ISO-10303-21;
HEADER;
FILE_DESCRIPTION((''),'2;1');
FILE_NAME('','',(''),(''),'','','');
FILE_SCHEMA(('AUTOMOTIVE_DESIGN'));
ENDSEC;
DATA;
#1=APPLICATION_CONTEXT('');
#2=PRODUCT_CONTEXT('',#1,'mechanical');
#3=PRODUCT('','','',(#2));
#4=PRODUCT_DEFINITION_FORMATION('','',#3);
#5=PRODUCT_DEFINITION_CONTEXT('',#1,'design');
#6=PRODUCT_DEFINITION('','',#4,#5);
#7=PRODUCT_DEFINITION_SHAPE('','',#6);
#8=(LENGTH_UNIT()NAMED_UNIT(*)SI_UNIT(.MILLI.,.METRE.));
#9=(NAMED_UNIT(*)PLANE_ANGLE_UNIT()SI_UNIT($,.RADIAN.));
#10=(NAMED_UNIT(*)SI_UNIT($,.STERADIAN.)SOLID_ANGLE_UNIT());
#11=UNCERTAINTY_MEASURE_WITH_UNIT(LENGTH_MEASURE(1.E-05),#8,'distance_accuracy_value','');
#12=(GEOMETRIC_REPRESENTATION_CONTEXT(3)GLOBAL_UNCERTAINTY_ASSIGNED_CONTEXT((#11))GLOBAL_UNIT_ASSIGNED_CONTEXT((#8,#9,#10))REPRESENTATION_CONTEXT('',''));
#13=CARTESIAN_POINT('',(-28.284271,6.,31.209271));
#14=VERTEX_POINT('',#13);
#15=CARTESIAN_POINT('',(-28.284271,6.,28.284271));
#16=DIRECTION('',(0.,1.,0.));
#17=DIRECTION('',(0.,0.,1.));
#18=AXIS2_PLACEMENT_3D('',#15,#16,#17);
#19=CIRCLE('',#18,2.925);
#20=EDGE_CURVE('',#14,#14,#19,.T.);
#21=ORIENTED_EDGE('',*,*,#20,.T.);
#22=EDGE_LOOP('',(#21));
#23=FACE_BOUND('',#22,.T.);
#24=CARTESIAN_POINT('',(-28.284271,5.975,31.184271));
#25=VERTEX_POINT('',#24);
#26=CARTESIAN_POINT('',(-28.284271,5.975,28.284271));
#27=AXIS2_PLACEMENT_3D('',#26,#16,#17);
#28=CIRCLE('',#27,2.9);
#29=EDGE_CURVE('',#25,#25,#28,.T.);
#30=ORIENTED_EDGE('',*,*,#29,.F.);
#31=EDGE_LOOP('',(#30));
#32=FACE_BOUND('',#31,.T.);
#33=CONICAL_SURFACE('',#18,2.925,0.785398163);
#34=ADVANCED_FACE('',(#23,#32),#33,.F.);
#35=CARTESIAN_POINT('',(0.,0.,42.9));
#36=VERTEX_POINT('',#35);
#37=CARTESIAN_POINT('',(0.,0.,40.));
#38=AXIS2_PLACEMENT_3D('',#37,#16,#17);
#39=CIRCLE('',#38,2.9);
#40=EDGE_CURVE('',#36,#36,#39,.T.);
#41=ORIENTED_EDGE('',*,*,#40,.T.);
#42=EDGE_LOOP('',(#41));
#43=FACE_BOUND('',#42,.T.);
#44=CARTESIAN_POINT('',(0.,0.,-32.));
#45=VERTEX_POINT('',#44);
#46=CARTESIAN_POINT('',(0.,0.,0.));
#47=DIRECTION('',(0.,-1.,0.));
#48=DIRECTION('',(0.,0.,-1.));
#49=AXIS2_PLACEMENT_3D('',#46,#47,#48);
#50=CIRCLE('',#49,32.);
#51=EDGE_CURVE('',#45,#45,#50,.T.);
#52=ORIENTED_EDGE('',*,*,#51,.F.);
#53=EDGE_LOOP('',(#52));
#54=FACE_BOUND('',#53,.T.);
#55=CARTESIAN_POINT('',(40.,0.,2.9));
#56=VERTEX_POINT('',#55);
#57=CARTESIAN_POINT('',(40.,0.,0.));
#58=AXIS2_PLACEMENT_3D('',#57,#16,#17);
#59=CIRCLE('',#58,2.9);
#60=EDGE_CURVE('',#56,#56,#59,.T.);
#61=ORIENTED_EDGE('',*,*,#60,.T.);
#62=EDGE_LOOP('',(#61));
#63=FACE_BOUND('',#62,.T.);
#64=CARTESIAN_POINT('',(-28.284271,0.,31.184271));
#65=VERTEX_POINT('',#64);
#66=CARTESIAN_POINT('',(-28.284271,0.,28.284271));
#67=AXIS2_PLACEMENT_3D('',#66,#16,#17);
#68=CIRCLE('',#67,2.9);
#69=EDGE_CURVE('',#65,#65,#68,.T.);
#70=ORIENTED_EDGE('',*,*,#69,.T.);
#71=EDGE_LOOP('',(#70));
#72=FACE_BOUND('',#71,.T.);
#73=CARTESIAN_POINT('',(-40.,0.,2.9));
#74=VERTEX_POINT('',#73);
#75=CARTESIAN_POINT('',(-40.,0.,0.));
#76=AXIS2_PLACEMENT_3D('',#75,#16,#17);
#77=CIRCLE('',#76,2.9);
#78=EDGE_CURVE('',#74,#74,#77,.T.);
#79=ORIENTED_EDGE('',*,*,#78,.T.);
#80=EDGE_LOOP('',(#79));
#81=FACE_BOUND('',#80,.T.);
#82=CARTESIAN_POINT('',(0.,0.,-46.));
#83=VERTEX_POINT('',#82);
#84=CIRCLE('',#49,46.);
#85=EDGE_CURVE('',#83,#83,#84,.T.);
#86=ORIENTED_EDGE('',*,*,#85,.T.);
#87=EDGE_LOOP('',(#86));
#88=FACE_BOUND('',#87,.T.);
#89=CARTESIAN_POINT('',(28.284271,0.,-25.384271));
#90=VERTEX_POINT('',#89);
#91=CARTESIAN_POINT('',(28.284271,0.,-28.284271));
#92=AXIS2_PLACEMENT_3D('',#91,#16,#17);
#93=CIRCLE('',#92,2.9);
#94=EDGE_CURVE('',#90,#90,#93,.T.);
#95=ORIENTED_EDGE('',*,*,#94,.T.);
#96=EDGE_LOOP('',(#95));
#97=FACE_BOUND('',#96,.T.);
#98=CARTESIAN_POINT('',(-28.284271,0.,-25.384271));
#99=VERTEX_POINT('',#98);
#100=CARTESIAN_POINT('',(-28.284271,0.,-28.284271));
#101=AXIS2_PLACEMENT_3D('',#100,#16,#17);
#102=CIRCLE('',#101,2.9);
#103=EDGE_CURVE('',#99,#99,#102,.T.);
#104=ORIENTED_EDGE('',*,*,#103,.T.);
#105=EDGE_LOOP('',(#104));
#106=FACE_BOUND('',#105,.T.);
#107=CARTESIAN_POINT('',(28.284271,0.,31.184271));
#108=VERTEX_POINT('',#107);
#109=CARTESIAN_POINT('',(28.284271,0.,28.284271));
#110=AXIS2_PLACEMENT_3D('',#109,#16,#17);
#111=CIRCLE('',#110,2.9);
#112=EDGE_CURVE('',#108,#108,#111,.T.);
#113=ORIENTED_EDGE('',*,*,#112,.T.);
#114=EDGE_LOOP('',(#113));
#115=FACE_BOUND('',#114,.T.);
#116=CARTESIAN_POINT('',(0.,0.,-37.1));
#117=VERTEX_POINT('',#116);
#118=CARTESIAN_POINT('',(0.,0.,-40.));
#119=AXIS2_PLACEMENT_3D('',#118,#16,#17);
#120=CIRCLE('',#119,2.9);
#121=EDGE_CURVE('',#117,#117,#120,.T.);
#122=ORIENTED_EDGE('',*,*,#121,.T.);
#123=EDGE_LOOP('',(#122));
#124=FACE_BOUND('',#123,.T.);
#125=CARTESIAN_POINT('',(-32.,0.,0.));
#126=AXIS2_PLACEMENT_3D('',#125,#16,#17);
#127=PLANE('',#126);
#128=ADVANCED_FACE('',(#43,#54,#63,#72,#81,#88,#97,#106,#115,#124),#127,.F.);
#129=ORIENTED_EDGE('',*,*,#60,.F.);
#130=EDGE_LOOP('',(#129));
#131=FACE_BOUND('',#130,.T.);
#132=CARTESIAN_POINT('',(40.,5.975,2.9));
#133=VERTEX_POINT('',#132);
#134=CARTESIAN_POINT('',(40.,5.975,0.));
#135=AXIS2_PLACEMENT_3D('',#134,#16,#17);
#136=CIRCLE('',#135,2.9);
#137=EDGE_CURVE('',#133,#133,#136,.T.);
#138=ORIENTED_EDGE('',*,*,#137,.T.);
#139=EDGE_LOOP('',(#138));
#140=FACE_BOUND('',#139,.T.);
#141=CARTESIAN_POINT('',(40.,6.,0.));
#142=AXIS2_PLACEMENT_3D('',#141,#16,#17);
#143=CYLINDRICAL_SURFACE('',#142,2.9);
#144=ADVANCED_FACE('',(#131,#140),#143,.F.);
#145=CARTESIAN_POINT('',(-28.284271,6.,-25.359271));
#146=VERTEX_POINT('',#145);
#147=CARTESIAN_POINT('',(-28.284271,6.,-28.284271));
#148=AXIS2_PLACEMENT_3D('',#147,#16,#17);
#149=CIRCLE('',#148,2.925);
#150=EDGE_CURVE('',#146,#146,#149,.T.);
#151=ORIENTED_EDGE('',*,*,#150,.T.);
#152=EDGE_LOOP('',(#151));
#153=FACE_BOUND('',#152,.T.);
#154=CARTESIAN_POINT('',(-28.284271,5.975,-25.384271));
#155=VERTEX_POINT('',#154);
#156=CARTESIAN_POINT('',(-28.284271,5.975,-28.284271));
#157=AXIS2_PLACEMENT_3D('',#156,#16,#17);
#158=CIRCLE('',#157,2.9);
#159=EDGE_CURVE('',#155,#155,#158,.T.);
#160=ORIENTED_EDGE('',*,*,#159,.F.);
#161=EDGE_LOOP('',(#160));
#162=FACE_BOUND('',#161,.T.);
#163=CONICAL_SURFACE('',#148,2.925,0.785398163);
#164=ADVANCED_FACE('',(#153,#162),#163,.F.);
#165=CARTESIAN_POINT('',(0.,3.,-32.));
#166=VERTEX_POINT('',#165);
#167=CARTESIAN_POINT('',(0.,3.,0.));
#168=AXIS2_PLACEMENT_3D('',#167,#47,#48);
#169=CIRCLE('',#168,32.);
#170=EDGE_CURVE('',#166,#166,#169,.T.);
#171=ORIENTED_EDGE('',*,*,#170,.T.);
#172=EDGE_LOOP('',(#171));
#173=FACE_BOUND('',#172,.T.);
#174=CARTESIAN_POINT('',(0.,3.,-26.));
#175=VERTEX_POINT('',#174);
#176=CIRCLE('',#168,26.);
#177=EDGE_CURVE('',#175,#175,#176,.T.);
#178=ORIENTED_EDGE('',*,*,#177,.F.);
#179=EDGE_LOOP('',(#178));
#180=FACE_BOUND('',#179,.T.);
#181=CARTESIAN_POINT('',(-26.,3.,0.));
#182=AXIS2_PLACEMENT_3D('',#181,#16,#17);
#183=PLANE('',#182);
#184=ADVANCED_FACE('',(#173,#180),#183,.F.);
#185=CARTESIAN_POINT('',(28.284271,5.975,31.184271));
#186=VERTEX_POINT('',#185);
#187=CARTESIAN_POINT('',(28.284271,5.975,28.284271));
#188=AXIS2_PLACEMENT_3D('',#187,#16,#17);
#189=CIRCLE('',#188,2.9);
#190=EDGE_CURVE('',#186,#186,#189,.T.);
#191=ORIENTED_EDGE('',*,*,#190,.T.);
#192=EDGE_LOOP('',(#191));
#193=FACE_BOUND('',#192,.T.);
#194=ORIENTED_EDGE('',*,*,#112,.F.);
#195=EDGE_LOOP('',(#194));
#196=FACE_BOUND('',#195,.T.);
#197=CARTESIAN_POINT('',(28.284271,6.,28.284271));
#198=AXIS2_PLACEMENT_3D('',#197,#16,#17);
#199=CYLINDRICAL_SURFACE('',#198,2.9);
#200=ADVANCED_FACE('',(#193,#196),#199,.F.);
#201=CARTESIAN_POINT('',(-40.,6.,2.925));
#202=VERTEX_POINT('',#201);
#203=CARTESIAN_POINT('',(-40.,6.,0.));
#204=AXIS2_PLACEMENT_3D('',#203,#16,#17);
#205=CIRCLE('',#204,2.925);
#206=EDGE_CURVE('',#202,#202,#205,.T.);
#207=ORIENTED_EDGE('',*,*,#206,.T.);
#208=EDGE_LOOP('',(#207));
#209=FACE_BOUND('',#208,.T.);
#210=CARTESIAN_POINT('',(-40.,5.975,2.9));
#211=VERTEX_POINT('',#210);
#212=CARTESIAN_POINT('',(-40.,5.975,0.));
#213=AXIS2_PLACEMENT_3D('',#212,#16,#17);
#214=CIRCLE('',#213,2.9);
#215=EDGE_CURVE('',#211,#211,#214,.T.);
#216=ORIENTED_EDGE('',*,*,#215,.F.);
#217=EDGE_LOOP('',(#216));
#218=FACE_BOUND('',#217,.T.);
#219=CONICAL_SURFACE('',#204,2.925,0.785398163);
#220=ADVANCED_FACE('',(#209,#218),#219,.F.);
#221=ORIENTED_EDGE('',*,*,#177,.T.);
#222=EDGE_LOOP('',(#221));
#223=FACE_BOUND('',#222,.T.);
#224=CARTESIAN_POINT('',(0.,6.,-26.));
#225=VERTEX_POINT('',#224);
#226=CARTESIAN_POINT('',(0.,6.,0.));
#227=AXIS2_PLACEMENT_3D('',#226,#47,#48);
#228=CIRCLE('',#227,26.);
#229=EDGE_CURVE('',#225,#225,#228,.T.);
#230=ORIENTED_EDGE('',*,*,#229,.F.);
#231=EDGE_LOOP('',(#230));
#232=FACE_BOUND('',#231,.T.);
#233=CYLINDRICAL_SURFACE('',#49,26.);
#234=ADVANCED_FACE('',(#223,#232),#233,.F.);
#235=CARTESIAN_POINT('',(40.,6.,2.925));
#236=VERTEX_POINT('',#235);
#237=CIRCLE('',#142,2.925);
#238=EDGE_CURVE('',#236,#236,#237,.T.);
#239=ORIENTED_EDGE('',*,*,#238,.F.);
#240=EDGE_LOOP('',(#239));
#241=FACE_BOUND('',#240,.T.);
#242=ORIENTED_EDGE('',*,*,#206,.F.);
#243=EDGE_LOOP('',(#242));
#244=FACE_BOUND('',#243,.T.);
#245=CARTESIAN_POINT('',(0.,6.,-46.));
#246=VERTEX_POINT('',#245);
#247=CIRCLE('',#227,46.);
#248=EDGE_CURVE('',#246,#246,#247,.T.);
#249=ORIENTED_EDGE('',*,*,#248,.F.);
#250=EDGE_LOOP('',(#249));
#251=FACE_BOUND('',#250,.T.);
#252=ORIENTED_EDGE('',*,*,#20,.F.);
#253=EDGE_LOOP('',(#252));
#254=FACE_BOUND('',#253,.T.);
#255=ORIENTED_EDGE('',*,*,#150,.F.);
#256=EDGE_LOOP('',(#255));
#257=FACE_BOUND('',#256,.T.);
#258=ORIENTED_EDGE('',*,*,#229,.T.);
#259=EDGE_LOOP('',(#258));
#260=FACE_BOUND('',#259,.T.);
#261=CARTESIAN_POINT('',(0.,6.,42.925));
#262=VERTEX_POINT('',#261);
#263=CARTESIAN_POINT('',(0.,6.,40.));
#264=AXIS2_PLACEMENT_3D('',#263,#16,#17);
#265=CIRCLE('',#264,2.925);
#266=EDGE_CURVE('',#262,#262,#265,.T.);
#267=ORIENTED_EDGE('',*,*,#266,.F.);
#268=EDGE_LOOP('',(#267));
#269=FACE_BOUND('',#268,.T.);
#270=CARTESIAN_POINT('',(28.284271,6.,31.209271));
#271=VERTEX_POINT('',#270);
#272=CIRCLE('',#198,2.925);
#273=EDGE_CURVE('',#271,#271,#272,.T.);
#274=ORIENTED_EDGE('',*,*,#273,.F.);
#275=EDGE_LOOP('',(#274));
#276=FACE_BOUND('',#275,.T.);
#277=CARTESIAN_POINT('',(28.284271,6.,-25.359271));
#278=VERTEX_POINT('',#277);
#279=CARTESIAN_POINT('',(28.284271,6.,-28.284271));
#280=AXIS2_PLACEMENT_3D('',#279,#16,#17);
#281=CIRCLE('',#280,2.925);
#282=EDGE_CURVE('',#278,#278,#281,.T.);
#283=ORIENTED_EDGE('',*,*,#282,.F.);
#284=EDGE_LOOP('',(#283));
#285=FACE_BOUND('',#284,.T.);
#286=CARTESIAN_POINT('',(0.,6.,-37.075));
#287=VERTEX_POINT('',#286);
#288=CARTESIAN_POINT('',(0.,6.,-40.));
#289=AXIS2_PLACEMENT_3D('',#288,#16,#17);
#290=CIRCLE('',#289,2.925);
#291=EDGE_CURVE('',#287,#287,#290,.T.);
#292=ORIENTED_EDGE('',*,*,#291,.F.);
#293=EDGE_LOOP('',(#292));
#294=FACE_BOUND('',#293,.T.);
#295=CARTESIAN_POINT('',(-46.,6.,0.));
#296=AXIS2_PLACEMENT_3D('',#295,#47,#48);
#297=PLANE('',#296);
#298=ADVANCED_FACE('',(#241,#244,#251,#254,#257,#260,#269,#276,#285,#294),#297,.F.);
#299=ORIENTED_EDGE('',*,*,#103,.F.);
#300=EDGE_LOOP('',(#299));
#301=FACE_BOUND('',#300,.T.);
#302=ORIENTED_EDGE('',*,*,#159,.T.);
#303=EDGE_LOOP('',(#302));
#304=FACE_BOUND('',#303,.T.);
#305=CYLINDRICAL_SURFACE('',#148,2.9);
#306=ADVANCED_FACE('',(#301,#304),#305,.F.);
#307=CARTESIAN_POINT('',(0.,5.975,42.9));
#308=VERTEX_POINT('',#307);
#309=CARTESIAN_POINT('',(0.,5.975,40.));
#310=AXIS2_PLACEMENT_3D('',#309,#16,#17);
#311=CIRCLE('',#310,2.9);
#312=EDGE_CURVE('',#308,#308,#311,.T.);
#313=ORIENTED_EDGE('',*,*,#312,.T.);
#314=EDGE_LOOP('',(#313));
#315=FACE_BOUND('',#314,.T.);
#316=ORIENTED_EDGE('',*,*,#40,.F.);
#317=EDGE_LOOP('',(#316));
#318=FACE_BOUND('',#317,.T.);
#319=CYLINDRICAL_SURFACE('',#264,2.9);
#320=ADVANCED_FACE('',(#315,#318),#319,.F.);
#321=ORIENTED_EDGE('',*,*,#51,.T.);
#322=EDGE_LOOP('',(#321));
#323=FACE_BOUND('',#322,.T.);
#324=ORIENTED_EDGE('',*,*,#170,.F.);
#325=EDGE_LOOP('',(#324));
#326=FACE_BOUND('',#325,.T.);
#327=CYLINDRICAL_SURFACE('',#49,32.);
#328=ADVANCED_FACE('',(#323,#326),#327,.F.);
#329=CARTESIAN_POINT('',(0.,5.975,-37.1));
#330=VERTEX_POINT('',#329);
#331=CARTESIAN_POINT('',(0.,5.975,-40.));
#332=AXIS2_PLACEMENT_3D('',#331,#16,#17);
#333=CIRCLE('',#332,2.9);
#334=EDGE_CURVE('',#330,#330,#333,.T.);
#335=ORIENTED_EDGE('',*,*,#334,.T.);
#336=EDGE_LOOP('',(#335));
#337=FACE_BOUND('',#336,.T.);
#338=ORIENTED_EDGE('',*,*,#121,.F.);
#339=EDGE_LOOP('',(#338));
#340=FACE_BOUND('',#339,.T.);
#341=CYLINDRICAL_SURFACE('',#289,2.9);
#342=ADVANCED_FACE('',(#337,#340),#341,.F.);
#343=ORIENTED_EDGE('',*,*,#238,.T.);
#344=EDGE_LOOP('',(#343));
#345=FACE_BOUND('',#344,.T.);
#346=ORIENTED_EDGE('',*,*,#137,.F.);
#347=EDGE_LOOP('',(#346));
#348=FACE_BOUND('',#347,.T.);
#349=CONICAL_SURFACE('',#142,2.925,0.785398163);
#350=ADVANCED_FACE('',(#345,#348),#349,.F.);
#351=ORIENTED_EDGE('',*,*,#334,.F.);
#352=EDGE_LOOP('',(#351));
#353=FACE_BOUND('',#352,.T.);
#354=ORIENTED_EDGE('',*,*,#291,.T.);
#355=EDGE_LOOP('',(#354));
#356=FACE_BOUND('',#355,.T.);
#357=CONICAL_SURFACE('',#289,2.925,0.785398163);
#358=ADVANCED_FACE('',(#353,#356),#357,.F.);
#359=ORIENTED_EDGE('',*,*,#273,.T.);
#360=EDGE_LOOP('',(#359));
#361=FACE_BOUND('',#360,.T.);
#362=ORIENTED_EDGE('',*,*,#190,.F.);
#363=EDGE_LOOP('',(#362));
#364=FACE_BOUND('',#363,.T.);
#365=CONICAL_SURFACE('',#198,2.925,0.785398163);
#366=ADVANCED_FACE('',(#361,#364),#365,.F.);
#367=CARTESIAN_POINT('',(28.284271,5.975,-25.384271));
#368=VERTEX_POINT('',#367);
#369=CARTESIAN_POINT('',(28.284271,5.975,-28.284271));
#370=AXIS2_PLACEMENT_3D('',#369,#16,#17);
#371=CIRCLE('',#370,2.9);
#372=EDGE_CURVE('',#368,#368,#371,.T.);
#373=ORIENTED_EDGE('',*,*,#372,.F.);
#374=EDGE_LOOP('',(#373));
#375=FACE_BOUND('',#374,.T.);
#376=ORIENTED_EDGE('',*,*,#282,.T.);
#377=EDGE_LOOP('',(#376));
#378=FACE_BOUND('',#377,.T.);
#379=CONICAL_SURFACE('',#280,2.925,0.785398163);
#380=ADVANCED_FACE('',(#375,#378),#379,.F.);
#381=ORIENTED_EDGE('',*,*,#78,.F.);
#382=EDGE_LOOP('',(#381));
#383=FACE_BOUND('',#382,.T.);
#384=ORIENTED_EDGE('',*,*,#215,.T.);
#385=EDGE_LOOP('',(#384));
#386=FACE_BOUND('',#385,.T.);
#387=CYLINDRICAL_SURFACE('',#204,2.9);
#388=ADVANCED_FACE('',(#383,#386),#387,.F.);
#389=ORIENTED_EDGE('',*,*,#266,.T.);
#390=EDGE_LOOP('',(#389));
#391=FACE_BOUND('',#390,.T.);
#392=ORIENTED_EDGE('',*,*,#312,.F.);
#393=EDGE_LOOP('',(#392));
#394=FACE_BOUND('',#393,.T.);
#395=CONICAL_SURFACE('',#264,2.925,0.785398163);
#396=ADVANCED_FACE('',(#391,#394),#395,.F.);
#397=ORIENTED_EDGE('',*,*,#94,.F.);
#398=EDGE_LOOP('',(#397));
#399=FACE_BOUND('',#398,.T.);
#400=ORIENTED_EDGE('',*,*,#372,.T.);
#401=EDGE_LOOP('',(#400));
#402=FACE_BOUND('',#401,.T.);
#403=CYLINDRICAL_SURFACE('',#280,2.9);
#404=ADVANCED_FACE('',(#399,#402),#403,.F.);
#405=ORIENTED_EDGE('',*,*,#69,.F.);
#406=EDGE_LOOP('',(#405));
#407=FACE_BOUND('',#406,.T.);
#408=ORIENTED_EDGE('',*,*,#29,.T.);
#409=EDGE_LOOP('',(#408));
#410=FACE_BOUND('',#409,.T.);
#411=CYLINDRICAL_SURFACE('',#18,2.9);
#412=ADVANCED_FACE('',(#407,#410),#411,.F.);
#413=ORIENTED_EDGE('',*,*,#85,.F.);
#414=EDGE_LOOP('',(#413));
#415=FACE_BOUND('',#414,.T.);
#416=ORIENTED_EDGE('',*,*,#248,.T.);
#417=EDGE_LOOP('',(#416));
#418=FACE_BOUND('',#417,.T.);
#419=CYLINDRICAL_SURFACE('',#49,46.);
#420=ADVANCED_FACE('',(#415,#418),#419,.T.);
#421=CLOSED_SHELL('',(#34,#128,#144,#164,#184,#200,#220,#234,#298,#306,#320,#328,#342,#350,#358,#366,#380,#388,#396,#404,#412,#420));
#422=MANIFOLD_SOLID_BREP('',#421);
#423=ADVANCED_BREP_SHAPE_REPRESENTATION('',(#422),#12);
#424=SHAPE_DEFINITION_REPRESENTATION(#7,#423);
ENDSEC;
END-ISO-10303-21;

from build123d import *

# Parameters (mm, degrees)
M5_CLEARANCE_HOLE1_D           = 5.8
M5_CLEARANCE_HOLE1_DEPTH       = 6
M5_CLEARANCE_HOLE1_CSINK_D     = 5.85
M5_CLEARANCE_HOLE1_CSINK_ANGLE = 90
CIRPATTERN1_COUNT              = 8


with BuildPart() as part:
    # Sketch1 → Revolve1 (revolve)
    with BuildSketch(Plane.XY):
        Polygon((-32, 0), (-46, 0), (-46, 6), (-26, 6), (-26, 3), (-32, 3), align=None)
    revolve(axis=Axis((0, 0, 0), (0, 1, 0)))

    # M5 Clearance Hole1
    with Locations(Plane(origin=(0, 6, 0), x_dir=(1, 0, 0), z_dir=(0, 1, 0))):
        with Locations((40, 0)):
            m5_clearance_hole1 = CounterSinkHole(M5_CLEARANCE_HOLE1_D / 2, M5_CLEARANCE_HOLE1_CSINK_D / 2, depth=M5_CLEARANCE_HOLE1_DEPTH, counter_sink_angle=M5_CLEARANCE_HOLE1_CSINK_ANGLE)

    # CirPattern1: M5 Clearance Hole1 ×8 about axis
    cirpattern1_axis = Axis((0, 0, 0), (0, 1, 0))
    for i in range(1, CIRPATTERN1_COUNT):
        add(m5_clearance_hole1.rotate(cirpattern1_axis, i * 360 / CIRPATTERN1_COUNT), mode=Mode.SUBTRACT)


solid = part.part
